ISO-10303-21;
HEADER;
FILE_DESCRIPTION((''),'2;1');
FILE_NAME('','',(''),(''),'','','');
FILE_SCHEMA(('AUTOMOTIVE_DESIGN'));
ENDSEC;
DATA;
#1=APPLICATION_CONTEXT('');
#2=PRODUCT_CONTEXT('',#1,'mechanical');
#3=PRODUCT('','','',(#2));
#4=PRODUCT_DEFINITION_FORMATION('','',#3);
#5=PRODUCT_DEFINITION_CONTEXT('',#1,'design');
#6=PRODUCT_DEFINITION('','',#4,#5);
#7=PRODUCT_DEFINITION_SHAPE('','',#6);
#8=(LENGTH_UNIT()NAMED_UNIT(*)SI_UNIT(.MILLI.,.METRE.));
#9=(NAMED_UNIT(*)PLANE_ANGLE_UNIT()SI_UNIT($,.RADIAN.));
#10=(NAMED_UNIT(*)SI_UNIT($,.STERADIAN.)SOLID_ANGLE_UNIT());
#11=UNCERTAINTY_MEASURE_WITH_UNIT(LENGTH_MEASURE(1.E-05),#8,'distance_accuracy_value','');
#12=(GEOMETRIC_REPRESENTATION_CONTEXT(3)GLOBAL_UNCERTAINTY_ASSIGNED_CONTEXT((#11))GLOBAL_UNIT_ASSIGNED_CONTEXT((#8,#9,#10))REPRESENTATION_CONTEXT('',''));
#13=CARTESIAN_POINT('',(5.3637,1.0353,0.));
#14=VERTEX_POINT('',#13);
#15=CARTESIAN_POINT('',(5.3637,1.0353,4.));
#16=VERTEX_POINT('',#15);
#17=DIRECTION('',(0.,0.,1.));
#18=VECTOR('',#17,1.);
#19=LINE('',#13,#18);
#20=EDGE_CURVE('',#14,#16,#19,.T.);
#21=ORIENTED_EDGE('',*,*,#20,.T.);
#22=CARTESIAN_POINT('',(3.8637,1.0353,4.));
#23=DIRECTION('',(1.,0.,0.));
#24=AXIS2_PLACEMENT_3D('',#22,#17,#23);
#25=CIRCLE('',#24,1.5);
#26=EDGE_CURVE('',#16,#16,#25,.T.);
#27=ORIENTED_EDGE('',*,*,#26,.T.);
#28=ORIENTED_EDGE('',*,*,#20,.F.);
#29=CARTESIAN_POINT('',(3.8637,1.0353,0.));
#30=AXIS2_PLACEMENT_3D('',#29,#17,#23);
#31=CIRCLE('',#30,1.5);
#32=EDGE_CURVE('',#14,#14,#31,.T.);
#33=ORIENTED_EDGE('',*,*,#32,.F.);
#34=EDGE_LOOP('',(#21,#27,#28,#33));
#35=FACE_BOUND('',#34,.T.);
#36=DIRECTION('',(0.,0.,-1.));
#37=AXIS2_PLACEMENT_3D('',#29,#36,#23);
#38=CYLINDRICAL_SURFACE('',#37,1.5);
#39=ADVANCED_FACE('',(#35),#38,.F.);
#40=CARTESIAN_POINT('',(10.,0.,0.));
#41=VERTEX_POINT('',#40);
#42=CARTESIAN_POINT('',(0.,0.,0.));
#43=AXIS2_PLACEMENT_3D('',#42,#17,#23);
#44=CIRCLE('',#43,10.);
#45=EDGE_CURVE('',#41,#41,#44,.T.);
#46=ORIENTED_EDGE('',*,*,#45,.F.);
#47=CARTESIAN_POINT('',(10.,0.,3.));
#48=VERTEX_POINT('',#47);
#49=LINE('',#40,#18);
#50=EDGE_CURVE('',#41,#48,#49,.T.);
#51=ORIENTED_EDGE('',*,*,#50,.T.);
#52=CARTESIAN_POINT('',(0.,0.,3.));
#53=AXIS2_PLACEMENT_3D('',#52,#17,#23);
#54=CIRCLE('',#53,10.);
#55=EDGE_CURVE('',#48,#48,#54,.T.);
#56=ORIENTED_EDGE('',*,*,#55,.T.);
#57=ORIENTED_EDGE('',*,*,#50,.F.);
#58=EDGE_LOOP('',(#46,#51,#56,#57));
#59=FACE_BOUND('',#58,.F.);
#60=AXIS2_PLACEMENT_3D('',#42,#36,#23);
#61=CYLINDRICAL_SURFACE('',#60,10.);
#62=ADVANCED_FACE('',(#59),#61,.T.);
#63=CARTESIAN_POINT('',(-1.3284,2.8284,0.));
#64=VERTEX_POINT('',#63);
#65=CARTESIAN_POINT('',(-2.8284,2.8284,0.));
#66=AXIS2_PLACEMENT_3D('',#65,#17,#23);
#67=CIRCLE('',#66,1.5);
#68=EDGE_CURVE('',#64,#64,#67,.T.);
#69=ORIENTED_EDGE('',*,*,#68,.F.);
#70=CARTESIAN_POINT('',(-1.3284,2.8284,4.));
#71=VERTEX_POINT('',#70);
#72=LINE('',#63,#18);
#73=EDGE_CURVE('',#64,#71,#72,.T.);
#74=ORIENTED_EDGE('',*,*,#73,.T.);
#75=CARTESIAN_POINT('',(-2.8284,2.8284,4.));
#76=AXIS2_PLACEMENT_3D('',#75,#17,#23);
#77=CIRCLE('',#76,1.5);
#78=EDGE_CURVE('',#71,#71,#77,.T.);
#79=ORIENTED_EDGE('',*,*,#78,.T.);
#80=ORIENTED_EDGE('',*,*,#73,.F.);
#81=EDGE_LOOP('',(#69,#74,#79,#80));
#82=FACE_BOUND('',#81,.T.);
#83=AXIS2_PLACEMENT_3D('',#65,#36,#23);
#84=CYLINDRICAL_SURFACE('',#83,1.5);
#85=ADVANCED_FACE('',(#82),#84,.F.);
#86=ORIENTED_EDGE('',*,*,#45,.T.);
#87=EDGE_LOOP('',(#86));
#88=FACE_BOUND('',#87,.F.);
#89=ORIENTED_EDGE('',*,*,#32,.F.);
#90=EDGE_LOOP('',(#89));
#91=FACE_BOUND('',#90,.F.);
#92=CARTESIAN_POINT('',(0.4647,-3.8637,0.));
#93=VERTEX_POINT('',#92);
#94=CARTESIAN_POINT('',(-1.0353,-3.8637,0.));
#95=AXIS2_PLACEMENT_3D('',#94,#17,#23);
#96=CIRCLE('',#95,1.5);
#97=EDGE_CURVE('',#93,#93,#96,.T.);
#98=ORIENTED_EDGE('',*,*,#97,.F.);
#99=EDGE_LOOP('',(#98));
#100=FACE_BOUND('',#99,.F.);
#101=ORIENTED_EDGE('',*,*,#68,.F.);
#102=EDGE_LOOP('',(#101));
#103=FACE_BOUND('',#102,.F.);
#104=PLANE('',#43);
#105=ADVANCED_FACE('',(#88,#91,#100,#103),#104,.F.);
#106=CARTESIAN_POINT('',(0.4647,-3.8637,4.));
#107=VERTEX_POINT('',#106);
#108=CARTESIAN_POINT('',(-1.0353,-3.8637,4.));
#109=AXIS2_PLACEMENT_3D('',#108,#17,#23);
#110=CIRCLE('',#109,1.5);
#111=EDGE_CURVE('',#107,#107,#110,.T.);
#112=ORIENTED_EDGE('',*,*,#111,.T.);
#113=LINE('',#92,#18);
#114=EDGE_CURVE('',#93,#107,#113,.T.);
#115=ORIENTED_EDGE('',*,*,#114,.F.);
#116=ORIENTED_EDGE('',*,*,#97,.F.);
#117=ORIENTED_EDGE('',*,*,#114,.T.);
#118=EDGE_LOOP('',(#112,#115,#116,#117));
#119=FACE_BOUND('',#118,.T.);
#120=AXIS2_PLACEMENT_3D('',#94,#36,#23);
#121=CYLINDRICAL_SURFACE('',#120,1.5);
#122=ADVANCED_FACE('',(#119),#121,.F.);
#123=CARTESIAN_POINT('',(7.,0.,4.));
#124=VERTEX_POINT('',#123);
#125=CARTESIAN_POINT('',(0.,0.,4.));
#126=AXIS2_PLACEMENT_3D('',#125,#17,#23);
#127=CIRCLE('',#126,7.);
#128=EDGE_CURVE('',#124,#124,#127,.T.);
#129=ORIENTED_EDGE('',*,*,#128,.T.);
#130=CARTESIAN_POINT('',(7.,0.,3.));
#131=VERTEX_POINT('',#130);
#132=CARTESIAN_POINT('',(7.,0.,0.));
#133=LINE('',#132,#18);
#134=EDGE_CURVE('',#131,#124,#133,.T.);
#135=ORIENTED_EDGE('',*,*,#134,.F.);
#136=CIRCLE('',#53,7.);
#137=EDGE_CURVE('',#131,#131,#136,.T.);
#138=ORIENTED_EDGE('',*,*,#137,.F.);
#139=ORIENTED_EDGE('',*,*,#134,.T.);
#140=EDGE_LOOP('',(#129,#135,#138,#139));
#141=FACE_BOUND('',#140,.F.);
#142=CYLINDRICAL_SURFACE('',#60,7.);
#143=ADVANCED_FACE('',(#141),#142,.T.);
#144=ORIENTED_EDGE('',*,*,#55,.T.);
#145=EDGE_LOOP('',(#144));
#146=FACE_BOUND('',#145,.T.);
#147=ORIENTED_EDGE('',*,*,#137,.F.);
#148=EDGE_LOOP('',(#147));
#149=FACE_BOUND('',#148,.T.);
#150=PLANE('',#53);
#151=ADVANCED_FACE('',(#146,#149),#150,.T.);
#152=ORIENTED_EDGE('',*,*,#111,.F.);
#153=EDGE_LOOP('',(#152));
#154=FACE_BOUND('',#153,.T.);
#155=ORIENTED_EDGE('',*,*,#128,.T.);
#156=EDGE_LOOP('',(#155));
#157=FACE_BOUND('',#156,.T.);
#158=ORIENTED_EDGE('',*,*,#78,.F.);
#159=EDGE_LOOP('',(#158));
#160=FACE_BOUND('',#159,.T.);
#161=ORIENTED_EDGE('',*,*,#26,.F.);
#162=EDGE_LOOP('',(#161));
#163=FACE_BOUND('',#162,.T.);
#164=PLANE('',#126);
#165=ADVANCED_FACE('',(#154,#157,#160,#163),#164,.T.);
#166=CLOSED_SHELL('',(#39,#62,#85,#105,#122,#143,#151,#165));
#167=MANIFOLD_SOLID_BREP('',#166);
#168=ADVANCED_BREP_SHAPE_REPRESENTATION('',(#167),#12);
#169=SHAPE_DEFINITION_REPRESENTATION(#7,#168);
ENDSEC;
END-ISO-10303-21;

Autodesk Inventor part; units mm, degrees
ref_plane "YZ Plane" through (0, 0, 0) normal (1, 0, 0) x (0, 1, 0)
ref_plane "XZ Plane" through (0, 0, 0) normal (0, 1, 0) x (-1, 0, 0)
ref_plane "XY Plane" through (0, 0, 0) normal (0, 0, 1) x (1, 0, 0)
sketch "スケッチ1" plane through (0, 0, 0) normal (0, 0, 1) x (1, 0, 0)
  circle A0 centre (0, 0) radius 7
  circle A1 centre (-2.8284, 2.8284) radius 1.5
  circle A2 centre (-1.0353, -3.8637) radius 1.5
  circle A3 centre (3.8637, 1.0353) radius 1.5
  circle A4 centre (0, 0) radius 10
  dimension "d0" = 14
  dimension "d1" = 3
  dimension "d2" = 4
  dimension "d5" = 360
  dimension "d9" = 20
extrude "押し出し1" add sketch "スケッチ1" along normal blind 4 contours A0
extrude "押し出し2" add sketch "スケッチ1" along normal blind 3 contours A4
properties part number "カムD14" material "アセタール樹脂、白"
